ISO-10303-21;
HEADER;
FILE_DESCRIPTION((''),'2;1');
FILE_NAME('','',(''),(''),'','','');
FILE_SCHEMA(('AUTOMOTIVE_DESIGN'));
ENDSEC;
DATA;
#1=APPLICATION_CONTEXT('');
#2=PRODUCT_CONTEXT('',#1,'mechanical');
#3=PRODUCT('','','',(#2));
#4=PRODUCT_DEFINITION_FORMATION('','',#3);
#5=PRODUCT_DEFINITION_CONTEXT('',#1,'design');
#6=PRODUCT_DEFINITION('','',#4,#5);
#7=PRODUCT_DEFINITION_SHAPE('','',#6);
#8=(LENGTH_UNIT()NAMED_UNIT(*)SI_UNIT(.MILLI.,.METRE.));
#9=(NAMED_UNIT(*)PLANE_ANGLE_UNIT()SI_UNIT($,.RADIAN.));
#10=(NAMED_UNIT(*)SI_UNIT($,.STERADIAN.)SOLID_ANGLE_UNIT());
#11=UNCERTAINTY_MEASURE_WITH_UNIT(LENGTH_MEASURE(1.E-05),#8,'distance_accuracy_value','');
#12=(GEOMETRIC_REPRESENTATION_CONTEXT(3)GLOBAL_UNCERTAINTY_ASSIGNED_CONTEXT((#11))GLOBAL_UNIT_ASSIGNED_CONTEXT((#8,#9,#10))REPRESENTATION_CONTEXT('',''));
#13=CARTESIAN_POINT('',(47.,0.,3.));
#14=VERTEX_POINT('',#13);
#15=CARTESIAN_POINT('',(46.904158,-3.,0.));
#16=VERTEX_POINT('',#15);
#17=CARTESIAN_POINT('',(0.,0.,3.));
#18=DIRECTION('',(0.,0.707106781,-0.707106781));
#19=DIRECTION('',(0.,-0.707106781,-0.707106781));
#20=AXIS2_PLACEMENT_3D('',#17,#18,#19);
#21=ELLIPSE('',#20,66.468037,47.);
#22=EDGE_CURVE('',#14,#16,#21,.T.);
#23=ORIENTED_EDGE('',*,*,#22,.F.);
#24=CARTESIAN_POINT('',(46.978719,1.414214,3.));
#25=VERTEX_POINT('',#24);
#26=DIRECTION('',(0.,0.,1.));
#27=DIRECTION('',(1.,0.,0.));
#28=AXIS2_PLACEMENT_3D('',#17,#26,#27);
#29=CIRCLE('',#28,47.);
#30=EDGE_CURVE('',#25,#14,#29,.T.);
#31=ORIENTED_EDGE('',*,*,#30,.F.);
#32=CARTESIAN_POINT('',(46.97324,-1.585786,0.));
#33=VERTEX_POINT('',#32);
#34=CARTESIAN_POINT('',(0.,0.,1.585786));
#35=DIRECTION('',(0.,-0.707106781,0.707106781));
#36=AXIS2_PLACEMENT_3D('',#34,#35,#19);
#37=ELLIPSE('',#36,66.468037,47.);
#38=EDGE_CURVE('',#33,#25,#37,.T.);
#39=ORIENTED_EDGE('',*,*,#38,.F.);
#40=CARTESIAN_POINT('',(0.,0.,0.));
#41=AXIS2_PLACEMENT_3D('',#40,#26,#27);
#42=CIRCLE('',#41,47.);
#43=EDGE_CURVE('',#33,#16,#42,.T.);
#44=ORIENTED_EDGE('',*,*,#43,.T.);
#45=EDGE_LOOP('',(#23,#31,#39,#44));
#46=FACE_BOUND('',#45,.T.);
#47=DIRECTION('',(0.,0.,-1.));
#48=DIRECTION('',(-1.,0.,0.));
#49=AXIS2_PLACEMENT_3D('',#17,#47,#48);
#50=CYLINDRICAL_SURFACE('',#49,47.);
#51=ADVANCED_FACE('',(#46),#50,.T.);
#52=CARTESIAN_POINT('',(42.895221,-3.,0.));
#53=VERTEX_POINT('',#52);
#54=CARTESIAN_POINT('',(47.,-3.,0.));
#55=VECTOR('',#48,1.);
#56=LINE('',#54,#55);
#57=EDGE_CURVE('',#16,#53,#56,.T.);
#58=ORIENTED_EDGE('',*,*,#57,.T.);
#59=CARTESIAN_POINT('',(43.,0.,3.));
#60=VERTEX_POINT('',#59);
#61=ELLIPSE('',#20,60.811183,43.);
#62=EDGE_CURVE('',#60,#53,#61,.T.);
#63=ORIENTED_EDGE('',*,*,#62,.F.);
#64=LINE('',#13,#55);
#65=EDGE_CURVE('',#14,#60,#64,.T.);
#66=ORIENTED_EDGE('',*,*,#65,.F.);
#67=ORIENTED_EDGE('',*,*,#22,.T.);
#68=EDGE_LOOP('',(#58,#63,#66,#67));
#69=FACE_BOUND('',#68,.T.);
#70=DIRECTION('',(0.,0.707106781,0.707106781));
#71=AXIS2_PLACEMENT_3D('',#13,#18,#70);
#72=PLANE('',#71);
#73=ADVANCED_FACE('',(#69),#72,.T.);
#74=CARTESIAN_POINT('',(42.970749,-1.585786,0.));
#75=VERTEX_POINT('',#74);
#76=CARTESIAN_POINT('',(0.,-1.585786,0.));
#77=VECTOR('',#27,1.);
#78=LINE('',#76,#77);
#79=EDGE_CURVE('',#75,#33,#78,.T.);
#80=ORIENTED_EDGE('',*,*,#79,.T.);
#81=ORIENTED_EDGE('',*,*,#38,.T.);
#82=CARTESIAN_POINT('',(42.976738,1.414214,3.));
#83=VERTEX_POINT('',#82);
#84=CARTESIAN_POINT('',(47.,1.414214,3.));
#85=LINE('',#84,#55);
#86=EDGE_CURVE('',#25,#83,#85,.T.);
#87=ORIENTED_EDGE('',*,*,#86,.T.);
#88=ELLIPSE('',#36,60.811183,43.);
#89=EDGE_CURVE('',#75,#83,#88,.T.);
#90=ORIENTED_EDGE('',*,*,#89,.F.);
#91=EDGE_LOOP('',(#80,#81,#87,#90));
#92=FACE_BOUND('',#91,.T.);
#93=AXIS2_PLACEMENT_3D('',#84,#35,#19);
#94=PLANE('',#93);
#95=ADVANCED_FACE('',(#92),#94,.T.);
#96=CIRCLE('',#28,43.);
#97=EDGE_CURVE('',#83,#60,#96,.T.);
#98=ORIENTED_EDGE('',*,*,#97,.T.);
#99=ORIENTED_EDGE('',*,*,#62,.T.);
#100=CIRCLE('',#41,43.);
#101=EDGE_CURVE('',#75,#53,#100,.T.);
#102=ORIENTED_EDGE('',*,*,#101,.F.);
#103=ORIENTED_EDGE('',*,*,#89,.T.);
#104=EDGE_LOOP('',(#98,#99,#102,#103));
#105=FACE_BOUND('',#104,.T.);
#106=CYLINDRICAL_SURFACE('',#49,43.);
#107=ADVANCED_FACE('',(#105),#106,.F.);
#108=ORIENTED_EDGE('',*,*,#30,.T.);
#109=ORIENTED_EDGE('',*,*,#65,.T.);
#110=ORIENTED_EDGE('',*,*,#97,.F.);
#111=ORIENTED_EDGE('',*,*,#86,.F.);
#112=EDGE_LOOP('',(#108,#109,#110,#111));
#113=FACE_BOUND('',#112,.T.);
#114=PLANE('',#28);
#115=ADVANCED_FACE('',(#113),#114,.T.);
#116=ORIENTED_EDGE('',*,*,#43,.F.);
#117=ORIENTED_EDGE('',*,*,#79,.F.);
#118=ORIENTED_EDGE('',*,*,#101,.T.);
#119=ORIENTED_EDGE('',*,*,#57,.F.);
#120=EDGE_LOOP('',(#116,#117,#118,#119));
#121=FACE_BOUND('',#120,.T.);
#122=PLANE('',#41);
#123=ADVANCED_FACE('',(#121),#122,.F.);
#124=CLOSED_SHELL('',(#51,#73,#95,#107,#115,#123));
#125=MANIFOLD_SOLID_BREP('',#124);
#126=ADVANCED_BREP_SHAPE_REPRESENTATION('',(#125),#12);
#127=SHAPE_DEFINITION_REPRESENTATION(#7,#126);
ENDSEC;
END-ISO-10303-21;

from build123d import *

# Parameters (mm, degrees)
SKETCH1_R           = 47
SKETCH1_R_2         = 43
BOSS_EXTRUDE1_DEPTH = 3
CUT_EXTRUDE1_DEPTH  = 67.535704701


with BuildPart() as part:
    # Sketch1 → Boss-Extrude1 (new body)
    with BuildSketch(Plane.XY):
        Circle(SKETCH1_R)
        Circle(SKETCH1_R_2, mode=Mode.SUBTRACT)
    extrude(amount=BOSS_EXTRUDE1_DEPTH)

    # Sketch3 → Cut-Extrude1 (cut, through all)
    with BuildSketch(Plane(origin=(0, 0, 0), x_dir=(0, 0, -1), z_dir=(1, 0, 0))):
        Polygon((-3, 0), (0, -3), (0.707106781, -2.292893219), (-3, 1.414213562), align=None)
    extrude(amount=CUT_EXTRUDE1_DEPTH, mode=Mode.SUBTRACT)


solid = part.part
